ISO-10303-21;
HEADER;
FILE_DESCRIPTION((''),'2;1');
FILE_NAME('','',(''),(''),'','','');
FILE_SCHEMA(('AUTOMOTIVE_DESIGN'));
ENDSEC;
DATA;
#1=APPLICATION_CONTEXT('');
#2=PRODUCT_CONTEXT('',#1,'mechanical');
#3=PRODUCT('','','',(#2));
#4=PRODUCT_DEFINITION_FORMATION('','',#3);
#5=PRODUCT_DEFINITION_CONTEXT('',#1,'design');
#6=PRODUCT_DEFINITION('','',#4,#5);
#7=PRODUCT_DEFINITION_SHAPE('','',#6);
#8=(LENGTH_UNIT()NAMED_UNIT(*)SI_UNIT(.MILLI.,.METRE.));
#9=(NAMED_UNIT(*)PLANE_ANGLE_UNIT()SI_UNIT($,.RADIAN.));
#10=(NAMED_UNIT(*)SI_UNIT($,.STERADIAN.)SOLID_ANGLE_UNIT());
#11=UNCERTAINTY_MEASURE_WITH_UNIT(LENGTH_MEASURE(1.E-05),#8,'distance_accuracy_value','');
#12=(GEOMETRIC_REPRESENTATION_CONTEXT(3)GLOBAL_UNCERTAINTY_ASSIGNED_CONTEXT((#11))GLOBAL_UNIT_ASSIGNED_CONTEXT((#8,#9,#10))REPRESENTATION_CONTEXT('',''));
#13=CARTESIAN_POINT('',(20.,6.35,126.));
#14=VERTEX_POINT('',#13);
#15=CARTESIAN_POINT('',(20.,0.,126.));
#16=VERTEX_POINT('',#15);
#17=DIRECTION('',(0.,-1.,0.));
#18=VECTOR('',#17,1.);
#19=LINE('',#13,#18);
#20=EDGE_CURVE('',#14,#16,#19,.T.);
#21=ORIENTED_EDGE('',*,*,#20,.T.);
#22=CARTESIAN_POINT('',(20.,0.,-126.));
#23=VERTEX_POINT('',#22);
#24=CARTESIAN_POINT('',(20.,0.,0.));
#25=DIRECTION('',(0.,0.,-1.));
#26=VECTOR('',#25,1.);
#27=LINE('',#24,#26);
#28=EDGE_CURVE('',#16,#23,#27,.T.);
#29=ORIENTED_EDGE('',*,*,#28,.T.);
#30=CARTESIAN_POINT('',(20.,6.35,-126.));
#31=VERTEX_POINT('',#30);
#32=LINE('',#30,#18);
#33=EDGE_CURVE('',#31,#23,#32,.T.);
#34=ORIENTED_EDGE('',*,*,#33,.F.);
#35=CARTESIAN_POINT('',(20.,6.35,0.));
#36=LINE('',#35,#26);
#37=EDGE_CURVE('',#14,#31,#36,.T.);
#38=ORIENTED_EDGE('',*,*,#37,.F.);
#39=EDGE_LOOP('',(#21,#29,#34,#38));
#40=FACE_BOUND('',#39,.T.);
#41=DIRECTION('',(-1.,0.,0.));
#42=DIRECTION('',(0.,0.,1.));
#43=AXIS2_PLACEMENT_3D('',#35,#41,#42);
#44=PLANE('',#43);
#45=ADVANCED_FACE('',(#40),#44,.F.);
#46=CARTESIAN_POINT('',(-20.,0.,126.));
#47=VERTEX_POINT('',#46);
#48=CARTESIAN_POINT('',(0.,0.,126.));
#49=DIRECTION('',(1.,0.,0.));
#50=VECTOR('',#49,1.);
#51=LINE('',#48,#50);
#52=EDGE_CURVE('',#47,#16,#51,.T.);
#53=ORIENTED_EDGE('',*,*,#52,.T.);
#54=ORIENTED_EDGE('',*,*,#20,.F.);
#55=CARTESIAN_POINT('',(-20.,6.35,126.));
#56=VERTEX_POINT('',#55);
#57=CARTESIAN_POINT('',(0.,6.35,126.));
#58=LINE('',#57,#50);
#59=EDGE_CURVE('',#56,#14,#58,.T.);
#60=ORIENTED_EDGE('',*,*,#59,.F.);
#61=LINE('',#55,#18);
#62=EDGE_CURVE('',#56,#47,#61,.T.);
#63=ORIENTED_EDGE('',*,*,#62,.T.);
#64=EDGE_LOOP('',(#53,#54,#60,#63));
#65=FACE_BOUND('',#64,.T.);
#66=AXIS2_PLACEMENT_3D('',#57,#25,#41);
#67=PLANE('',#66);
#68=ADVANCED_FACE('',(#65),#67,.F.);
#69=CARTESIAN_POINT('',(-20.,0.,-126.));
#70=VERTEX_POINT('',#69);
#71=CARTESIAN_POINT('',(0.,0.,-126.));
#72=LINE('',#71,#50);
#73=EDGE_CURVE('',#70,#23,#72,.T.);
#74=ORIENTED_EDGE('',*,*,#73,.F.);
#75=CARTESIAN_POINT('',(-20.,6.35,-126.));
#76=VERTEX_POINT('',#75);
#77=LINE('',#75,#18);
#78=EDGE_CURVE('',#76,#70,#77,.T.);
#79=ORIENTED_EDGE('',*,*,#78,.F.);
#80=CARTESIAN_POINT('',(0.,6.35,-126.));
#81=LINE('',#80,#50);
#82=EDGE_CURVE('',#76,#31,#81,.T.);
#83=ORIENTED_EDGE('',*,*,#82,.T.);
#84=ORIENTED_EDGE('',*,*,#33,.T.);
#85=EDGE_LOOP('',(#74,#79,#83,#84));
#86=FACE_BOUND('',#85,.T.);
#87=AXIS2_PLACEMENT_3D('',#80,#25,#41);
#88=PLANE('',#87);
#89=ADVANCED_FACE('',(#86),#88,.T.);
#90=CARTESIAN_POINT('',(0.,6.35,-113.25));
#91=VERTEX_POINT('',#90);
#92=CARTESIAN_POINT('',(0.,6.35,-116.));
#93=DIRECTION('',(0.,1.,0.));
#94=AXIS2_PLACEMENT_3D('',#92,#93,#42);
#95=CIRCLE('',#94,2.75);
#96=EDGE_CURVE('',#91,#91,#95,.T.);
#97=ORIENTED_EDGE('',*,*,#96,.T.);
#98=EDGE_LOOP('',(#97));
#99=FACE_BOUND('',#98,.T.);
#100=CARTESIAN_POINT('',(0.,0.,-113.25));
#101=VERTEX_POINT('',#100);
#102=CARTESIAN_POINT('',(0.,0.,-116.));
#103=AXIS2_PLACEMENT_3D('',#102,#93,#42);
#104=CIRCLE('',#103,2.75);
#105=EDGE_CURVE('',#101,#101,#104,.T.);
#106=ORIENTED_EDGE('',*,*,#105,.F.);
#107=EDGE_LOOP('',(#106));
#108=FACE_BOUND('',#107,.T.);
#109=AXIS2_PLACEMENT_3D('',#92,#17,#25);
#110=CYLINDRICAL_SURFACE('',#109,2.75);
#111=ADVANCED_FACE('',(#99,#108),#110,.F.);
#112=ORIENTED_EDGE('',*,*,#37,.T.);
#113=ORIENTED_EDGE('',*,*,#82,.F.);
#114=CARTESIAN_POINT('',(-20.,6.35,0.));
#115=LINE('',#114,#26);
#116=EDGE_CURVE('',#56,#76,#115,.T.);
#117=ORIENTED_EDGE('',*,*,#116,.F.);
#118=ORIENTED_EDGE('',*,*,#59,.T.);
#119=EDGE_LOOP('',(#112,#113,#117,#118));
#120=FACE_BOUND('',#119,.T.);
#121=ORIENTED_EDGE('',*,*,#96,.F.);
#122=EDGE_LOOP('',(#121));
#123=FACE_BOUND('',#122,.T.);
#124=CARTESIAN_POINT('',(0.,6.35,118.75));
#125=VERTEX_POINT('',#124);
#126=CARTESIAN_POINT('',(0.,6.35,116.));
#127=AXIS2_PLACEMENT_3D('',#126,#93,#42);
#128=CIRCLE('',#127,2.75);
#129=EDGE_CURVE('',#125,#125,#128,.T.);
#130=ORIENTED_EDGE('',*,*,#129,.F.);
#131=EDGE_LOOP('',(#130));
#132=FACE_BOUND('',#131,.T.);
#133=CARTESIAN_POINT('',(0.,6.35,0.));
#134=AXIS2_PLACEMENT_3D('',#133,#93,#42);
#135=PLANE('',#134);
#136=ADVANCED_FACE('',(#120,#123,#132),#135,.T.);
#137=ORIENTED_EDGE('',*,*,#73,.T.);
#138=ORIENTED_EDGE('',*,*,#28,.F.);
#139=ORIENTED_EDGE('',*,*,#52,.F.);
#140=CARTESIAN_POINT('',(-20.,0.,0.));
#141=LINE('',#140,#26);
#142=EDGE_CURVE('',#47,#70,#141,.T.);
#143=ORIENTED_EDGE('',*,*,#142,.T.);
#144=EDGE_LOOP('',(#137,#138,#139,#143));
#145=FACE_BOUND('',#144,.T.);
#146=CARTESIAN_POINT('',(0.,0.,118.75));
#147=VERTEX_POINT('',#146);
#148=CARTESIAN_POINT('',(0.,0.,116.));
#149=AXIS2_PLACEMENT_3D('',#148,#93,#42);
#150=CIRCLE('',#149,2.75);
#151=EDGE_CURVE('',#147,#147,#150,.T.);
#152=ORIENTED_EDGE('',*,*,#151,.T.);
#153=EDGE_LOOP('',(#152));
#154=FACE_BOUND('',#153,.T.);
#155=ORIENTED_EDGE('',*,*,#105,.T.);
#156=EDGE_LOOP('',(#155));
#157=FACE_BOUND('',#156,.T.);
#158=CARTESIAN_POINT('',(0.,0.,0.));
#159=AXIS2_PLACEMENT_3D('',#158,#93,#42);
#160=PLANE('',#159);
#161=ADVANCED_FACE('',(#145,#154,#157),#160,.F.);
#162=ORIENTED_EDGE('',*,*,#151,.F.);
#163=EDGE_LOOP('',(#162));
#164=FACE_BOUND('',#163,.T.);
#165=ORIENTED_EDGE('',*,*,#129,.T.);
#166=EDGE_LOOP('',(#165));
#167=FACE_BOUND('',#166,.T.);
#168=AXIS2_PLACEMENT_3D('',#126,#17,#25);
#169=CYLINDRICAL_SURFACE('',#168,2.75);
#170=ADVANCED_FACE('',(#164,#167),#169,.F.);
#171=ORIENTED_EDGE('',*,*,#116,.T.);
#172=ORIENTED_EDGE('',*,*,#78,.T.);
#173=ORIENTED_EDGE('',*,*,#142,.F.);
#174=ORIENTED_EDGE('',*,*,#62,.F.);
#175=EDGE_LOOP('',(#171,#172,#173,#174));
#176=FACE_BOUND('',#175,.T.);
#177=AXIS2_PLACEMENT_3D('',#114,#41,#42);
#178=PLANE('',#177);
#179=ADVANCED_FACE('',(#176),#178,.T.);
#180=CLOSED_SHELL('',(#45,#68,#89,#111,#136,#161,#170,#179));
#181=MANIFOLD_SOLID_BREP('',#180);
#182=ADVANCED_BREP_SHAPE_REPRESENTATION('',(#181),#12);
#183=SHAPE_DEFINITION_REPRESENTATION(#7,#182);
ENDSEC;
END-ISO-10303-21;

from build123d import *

# Parameters (mm, degrees)
SKETCH1_W           = 40
SKETCH1_H           = 252
SKETCH1_R           = 2.75
BOSS_EXTRUDE1_DEPTH = 6.35


with BuildPart() as part:
    # Sketch1 → Boss-Extrude1 (new body)
    with BuildSketch(Plane(origin=(0, 0, 0), x_dir=(1, 0, 0), z_dir=(0, 1, 0))):
        Rectangle(SKETCH1_W, SKETCH1_H)
        with Locations((0, -116)):
            Circle(SKETCH1_R, mode=Mode.SUBTRACT)
        with Locations((0, 116)):
            Circle(SKETCH1_R, mode=Mode.SUBTRACT)
    extrude(amount=BOSS_EXTRUDE1_DEPTH)


solid = part.part
